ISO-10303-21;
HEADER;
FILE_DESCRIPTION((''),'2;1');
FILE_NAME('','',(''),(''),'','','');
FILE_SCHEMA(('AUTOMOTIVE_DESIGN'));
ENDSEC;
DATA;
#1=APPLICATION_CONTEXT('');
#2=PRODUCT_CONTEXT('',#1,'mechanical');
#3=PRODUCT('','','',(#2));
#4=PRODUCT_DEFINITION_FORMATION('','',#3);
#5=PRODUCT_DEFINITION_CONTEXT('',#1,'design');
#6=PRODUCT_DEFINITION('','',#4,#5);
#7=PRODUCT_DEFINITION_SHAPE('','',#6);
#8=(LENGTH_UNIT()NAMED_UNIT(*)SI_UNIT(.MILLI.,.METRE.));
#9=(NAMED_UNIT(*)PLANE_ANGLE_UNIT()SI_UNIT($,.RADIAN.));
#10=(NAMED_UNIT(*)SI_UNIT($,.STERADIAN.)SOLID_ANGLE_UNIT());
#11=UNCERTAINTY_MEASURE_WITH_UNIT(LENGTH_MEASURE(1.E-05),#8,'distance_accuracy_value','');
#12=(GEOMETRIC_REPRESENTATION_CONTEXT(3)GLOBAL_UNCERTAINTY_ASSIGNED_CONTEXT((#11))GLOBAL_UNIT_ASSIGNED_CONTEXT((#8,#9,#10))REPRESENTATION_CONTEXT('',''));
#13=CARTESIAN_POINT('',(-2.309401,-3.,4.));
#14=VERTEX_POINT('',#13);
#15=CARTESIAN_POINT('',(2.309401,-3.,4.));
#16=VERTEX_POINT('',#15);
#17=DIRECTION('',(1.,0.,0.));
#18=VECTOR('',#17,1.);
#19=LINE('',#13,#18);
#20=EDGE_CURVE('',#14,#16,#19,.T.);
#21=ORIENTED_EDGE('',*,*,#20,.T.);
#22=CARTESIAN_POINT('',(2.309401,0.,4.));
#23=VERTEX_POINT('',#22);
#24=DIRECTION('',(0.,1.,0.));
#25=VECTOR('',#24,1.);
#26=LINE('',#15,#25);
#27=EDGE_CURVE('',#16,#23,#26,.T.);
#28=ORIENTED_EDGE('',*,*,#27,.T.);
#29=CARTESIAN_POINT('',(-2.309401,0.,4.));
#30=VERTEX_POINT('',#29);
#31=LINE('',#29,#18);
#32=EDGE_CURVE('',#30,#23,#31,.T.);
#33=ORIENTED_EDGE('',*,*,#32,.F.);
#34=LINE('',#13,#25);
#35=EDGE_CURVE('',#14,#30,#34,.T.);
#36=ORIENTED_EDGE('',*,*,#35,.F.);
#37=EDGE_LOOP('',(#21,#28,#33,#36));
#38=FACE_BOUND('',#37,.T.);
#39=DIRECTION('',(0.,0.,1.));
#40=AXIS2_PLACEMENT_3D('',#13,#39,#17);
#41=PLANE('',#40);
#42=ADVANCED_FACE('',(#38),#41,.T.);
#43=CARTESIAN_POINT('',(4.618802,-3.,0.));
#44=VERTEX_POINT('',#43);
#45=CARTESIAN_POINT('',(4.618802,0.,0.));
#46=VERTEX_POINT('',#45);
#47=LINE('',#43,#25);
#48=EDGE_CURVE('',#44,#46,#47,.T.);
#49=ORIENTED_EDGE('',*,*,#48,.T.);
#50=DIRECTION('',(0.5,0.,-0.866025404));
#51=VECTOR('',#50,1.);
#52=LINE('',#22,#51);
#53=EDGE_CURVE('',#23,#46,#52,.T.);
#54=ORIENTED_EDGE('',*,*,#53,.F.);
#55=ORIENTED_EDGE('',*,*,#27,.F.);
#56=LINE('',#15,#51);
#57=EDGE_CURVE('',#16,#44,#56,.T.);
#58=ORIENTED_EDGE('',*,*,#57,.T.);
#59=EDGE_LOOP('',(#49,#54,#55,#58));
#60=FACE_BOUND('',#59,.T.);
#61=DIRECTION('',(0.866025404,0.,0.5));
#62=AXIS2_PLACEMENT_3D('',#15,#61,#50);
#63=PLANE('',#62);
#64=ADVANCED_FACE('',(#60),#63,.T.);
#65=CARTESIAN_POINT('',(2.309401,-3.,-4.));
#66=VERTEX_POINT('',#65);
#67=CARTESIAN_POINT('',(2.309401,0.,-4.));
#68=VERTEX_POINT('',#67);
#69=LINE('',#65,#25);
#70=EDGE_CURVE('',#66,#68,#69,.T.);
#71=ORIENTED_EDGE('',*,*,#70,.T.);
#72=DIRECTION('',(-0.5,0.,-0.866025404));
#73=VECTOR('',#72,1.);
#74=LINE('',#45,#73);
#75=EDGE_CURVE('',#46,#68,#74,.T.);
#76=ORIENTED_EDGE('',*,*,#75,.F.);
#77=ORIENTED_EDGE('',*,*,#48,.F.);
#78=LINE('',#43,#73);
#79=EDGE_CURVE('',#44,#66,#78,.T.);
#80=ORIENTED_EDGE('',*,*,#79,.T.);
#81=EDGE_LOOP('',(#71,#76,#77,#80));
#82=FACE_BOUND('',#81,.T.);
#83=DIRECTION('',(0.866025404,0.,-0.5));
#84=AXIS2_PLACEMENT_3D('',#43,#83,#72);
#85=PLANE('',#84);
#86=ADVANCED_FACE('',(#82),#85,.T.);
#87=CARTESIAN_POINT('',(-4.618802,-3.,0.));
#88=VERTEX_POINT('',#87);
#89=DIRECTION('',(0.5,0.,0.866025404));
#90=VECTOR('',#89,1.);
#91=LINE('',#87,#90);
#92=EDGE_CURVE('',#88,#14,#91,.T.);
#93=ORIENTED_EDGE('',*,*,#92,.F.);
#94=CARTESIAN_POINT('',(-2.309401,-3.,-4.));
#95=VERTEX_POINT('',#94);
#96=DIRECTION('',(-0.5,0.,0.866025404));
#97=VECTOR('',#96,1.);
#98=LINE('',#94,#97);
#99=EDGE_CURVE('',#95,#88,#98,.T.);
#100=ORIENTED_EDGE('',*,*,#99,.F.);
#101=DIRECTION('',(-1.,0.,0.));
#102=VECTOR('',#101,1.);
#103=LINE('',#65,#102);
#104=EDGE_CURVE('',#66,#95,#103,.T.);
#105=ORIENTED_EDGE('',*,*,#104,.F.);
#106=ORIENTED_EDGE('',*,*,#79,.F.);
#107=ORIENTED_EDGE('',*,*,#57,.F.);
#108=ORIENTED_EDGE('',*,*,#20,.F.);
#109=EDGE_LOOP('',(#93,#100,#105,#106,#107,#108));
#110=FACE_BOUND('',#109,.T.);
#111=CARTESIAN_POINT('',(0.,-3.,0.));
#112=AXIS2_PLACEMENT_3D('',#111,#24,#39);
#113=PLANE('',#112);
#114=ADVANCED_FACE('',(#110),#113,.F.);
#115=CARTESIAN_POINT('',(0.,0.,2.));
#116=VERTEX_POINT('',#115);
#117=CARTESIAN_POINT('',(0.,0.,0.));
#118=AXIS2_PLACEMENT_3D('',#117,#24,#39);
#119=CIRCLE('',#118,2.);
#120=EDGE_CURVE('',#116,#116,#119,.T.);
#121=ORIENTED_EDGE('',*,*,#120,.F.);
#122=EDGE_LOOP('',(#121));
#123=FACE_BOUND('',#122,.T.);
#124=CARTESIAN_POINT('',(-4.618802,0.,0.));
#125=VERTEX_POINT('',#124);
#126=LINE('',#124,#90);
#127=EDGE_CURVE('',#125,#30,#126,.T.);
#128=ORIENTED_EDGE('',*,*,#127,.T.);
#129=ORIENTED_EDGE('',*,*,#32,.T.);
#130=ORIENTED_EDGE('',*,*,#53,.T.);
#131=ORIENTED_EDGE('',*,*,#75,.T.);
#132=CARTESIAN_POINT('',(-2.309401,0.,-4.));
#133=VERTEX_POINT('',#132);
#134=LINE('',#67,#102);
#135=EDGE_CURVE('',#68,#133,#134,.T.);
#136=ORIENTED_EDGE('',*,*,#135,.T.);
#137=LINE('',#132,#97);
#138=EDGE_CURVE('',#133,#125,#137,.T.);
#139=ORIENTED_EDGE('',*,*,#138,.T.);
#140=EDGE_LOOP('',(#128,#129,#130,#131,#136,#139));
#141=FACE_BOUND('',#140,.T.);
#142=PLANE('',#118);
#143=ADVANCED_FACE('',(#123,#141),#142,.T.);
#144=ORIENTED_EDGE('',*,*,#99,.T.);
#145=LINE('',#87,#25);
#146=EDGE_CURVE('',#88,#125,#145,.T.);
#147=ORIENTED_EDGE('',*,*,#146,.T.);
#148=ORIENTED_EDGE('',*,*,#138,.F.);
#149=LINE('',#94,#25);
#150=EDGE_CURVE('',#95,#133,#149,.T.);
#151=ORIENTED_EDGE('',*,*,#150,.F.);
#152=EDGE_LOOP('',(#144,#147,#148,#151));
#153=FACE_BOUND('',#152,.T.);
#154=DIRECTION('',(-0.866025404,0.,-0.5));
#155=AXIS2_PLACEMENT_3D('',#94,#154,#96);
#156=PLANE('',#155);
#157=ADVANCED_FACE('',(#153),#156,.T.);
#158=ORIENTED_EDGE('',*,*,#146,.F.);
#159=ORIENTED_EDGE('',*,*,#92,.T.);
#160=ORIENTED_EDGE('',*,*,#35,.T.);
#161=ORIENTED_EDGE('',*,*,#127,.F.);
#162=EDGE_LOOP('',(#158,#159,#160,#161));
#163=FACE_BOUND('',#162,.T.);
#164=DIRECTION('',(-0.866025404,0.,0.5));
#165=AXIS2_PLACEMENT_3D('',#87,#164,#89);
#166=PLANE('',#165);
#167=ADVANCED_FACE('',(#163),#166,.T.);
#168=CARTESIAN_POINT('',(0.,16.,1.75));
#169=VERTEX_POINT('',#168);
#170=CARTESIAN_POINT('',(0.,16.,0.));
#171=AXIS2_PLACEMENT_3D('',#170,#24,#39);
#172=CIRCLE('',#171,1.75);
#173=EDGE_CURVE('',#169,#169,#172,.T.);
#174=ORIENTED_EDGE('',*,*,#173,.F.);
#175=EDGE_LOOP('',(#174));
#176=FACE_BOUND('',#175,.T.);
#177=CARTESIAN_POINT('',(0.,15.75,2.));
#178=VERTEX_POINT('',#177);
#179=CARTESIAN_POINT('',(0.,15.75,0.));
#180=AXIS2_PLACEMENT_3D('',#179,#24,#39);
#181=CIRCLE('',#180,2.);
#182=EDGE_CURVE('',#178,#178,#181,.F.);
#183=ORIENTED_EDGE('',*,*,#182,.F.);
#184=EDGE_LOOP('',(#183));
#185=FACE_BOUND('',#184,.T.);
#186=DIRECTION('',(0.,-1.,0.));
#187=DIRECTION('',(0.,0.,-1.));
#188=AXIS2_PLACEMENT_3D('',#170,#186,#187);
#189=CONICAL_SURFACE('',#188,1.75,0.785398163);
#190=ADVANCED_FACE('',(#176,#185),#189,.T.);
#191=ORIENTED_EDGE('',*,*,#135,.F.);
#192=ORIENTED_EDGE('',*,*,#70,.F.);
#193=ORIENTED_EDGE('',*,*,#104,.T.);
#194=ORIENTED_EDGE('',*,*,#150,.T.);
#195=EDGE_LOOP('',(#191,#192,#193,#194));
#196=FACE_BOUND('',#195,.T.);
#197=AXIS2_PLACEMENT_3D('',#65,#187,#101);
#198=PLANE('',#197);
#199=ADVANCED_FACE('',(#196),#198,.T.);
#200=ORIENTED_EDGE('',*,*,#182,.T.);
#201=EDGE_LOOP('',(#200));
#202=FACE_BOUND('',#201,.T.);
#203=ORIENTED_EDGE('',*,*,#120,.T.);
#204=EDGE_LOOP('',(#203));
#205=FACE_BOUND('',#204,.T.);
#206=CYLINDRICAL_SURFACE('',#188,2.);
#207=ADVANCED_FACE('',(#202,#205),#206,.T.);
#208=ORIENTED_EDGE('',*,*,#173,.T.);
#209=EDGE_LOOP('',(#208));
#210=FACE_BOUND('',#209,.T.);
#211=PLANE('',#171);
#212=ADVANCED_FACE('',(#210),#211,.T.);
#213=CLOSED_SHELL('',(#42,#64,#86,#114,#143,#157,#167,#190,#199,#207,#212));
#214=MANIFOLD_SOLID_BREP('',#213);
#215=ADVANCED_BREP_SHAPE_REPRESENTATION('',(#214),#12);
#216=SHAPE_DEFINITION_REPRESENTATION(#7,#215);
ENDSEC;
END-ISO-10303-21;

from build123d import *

# Parameters (mm, degrees)
BOSS_EXTRUDE1_DEPTH = 3
SKETCH2_R           = 2
BOSS_EXTRUDE2_DEPTH = 16
CHAMFER1_SIZE       = 0.25


with BuildPart() as part:
    # Sketch1 → Boss-Extrude1 (new body)
    with BuildSketch(Plane(origin=(0, 0, 0), x_dir=(1, 0, 0), z_dir=(0, 1, 0))):
        Polygon((4.618802154, 0), (2.309401077, 4), (-2.309401077, 4), (-4.618802154, 0), (-2.309401077, -4), (2.309401077, -4), align=None)
    extrude(amount=-BOSS_EXTRUDE1_DEPTH)

    # Sketch2 → Boss-Extrude2 (add)
    with BuildSketch(Plane(origin=(0, 0, 0), x_dir=(1, 0, 0), z_dir=(0, 1, 0))):
        with Locations(Location((0, 0, 0), (0, 0, 270))):
            Circle(SKETCH2_R)
    extrude(amount=BOSS_EXTRUDE2_DEPTH)

    # Chamfer1
    chamfer1_edges = [part.edges().sort_by_distance(p)[0] for p in [
        (0, 16, -2),
    ]]
    chamfer(chamfer1_edges, length=CHAMFER1_SIZE)


solid = part.part
